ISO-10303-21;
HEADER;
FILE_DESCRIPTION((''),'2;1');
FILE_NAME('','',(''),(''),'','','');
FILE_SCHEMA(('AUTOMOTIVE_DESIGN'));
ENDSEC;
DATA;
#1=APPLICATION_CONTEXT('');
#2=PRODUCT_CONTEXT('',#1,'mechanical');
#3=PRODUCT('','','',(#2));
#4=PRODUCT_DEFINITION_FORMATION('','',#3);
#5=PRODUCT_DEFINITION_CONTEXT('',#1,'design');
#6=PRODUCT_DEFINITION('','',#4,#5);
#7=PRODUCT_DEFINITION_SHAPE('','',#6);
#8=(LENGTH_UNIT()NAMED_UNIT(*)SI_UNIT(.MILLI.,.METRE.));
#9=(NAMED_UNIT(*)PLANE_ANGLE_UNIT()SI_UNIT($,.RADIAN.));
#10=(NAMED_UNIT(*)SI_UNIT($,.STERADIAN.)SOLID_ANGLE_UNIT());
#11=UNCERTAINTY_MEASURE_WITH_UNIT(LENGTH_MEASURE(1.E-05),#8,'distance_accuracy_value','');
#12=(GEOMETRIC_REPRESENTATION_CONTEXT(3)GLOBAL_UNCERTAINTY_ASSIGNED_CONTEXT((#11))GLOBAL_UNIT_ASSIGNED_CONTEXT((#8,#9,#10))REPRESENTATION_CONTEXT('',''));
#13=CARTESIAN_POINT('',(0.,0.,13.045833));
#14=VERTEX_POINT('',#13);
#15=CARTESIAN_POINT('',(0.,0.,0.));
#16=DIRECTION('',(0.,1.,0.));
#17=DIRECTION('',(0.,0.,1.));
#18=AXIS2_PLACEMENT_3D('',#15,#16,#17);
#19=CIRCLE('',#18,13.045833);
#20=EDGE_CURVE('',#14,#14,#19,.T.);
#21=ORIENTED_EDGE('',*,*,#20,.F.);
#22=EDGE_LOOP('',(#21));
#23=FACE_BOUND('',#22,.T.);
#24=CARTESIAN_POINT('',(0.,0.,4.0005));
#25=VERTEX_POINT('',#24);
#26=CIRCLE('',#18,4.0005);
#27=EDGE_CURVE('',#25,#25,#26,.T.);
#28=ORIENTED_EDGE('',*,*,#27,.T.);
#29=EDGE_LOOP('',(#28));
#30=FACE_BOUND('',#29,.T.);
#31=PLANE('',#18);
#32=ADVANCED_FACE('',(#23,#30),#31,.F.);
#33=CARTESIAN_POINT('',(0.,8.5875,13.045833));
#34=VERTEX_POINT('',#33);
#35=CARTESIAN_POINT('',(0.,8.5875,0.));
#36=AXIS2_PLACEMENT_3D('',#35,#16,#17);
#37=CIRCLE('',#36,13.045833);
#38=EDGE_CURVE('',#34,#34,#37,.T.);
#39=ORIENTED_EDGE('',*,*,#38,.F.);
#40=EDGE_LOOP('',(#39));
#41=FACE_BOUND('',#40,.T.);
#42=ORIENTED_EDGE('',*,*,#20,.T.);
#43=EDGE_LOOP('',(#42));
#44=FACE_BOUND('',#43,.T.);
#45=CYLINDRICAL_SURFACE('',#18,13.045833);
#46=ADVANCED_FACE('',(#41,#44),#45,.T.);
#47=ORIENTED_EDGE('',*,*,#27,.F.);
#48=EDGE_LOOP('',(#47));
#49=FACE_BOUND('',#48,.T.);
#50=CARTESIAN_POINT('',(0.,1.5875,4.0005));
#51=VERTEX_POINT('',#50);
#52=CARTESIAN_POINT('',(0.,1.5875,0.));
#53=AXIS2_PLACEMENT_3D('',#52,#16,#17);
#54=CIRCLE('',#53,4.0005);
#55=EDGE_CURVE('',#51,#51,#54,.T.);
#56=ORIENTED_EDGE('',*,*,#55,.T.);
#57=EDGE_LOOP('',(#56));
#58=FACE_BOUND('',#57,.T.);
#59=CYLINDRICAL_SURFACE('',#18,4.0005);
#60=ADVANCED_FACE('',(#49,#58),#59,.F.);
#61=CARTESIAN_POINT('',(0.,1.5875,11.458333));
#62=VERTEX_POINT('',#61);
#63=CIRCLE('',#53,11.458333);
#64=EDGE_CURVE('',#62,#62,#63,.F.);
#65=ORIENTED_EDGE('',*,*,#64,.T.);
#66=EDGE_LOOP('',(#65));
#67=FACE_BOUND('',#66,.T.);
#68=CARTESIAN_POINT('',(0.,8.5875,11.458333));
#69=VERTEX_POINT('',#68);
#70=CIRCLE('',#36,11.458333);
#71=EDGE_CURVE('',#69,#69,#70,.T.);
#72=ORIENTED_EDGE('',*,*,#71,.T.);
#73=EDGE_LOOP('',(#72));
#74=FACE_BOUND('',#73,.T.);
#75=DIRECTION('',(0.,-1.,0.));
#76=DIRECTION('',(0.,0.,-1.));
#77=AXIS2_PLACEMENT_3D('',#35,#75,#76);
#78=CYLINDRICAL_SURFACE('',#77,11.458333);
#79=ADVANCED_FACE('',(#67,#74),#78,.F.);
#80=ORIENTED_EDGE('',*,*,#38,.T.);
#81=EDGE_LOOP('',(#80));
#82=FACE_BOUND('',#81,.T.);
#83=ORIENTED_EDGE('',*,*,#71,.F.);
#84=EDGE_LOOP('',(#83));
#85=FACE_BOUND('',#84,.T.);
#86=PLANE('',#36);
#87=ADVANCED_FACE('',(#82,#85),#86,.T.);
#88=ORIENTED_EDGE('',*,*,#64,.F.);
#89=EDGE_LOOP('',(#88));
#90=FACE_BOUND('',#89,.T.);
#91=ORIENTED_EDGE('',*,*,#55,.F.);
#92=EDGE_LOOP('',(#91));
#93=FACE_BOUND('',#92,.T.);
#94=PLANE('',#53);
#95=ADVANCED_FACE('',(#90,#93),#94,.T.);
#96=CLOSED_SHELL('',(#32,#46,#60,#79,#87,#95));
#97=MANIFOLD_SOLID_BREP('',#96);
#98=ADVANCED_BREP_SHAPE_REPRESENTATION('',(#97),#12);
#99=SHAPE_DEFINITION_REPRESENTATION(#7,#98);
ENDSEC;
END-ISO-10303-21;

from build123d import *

# Parameters (mm, degrees)
SKETCH2_R           = 11.458333303
BOSS_EXTRUDE1_DEPTH = 1.5875
SKETCH5_R           = 13.045833303
BOSS_EXTRUDE4_DEPTH = 1.5875
BOSS_EXTRUDE5_START = 7
SKETCH5_4_R         = 13.045833303
SKETCH5_4_R_2       = 11.458333303
BOSS_EXTRUDE5_DEPTH = 7
SKETCH6_R           = 4.0005
CUT_EXTRUDE1_DEPTH  = 20.732904833


with BuildPart() as part:
    # Sketch2 → Boss-Extrude1 (new body)
    with BuildSketch(Plane(origin=(0, 0, 0), x_dir=(1, 0, 0), z_dir=(0, 1, 0))):
        Circle(SKETCH2_R)
    extrude(amount=BOSS_EXTRUDE1_DEPTH)

    # Sketch5 → Boss-Extrude4 (add)
    with BuildSketch(Plane(origin=(0, 1.5875, 0), x_dir=(1, 0, 0), z_dir=(0, 1, 0))):
        Circle(SKETCH5_R)
    extrude(amount=-BOSS_EXTRUDE4_DEPTH)

    # Sketch5<4> → Boss-Extrude5 (add)
    with BuildSketch(Plane(origin=(0, 1.5875, 0), x_dir=(1, 0, 0), z_dir=(0, 1, 0)).offset(BOSS_EXTRUDE5_START)):
        Circle(SKETCH5_4_R)
        Circle(SKETCH5_4_R_2, mode=Mode.SUBTRACT)
    extrude(amount=-BOSS_EXTRUDE5_DEPTH)

    # Sketch6 → Cut-Extrude1 (cut, through all)
    with BuildSketch(Plane(origin=(0, 1.5875, 0), x_dir=(1, 0, 0), z_dir=(0, 1, 0))):
        Circle(SKETCH6_R)
    extrude(amount=-CUT_EXTRUDE1_DEPTH, mode=Mode.SUBTRACT)


solid = part.part
